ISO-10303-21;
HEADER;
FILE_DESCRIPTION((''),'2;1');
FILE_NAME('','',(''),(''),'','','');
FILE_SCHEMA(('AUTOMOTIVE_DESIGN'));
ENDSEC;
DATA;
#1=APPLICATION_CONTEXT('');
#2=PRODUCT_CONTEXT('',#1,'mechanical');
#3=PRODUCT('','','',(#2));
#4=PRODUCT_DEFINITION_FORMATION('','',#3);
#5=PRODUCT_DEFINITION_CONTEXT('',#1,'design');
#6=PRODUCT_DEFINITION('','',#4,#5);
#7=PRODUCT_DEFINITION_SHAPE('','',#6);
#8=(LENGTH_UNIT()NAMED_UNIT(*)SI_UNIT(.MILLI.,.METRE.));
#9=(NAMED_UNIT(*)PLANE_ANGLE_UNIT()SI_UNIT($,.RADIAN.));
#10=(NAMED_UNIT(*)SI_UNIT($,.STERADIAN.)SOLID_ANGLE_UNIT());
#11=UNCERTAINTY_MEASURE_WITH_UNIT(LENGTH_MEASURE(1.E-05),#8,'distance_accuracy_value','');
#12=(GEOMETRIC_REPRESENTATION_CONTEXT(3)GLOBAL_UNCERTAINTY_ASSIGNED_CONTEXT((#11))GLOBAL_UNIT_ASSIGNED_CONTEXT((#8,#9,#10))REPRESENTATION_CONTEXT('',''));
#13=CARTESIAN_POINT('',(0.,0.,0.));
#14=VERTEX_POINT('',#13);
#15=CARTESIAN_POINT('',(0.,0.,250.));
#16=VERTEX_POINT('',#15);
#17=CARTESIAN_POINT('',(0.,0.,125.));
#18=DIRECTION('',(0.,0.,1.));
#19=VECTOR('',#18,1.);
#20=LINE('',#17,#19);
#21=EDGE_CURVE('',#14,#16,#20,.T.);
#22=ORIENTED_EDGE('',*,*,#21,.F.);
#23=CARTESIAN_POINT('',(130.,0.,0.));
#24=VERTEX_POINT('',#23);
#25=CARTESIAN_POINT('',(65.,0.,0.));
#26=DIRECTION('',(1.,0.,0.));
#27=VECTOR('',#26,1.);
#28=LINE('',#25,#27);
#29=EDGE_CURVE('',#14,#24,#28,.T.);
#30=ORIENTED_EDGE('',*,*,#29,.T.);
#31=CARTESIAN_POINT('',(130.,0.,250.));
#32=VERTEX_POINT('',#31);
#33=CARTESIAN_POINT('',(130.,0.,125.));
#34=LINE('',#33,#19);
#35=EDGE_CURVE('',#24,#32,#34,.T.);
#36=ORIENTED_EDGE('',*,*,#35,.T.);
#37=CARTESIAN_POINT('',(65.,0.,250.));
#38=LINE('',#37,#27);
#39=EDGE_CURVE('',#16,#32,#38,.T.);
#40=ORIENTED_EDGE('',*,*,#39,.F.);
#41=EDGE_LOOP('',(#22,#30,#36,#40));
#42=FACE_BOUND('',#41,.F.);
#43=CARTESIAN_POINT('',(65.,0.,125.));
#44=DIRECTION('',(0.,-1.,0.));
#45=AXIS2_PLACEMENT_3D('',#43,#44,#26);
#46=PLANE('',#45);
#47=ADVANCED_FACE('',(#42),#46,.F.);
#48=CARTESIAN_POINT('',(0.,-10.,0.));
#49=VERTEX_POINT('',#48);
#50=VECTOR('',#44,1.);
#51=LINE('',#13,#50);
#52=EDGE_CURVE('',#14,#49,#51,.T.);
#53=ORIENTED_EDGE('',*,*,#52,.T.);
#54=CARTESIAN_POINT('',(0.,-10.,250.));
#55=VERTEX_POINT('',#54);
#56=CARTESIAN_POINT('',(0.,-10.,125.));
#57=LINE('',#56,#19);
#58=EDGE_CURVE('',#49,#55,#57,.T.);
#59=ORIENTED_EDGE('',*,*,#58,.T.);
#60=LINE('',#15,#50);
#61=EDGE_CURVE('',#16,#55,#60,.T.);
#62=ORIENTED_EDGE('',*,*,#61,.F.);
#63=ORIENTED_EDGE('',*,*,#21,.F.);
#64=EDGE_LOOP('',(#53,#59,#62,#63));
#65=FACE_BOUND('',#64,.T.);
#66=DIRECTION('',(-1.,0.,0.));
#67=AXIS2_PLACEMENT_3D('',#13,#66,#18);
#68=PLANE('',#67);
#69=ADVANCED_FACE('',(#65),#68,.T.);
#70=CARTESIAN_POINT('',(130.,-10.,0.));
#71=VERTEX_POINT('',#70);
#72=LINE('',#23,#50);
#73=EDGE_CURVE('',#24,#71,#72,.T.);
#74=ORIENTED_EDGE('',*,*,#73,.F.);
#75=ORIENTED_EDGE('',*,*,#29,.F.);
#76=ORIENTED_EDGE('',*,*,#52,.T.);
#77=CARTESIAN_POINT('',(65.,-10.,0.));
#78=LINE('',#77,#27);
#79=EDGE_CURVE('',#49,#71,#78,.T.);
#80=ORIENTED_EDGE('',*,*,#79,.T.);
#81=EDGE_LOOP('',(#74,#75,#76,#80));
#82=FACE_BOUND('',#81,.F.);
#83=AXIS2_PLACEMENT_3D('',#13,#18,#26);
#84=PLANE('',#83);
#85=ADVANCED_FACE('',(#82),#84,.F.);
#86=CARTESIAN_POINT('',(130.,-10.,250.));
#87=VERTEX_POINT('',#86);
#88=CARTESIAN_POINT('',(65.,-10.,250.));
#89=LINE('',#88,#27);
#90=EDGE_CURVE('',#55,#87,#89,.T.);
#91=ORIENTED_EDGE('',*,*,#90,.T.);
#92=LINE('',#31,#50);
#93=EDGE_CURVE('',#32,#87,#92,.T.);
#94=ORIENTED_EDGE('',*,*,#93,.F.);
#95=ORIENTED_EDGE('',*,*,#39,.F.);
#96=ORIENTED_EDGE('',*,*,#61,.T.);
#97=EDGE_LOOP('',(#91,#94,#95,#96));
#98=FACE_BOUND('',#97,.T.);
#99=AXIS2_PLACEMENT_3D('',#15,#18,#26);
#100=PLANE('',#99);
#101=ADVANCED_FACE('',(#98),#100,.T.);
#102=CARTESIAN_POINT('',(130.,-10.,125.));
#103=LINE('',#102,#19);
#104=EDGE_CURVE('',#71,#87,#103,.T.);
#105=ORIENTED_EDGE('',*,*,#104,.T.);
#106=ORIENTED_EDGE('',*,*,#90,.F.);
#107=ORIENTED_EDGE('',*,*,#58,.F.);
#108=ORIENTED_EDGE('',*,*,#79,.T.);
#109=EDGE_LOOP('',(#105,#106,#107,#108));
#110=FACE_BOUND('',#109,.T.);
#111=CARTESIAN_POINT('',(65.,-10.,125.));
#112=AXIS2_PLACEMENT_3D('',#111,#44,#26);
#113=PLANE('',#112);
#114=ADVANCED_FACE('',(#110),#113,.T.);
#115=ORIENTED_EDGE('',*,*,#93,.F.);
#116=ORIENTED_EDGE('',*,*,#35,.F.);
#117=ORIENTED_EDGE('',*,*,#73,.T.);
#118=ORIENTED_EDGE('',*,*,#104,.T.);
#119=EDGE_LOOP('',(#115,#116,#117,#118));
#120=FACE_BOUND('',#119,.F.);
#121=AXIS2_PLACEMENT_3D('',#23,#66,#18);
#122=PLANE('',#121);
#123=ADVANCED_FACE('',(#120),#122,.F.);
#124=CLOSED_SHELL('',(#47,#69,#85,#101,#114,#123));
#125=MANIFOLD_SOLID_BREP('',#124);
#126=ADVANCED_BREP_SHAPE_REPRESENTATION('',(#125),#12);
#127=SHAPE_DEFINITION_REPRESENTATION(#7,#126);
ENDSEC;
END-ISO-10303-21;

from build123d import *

# Parameters (mm, degrees)
SKETCH_W  = 130
SKETCH_H  = 250
PAD_DEPTH = 10


with BuildPart() as part:
    # Sketch → Pad (new body)
    with BuildSketch(Plane.XZ):
        with Locations((65, 125)):
            Rectangle(SKETCH_W, SKETCH_H)
    extrude(amount=PAD_DEPTH)


solid = part.part
